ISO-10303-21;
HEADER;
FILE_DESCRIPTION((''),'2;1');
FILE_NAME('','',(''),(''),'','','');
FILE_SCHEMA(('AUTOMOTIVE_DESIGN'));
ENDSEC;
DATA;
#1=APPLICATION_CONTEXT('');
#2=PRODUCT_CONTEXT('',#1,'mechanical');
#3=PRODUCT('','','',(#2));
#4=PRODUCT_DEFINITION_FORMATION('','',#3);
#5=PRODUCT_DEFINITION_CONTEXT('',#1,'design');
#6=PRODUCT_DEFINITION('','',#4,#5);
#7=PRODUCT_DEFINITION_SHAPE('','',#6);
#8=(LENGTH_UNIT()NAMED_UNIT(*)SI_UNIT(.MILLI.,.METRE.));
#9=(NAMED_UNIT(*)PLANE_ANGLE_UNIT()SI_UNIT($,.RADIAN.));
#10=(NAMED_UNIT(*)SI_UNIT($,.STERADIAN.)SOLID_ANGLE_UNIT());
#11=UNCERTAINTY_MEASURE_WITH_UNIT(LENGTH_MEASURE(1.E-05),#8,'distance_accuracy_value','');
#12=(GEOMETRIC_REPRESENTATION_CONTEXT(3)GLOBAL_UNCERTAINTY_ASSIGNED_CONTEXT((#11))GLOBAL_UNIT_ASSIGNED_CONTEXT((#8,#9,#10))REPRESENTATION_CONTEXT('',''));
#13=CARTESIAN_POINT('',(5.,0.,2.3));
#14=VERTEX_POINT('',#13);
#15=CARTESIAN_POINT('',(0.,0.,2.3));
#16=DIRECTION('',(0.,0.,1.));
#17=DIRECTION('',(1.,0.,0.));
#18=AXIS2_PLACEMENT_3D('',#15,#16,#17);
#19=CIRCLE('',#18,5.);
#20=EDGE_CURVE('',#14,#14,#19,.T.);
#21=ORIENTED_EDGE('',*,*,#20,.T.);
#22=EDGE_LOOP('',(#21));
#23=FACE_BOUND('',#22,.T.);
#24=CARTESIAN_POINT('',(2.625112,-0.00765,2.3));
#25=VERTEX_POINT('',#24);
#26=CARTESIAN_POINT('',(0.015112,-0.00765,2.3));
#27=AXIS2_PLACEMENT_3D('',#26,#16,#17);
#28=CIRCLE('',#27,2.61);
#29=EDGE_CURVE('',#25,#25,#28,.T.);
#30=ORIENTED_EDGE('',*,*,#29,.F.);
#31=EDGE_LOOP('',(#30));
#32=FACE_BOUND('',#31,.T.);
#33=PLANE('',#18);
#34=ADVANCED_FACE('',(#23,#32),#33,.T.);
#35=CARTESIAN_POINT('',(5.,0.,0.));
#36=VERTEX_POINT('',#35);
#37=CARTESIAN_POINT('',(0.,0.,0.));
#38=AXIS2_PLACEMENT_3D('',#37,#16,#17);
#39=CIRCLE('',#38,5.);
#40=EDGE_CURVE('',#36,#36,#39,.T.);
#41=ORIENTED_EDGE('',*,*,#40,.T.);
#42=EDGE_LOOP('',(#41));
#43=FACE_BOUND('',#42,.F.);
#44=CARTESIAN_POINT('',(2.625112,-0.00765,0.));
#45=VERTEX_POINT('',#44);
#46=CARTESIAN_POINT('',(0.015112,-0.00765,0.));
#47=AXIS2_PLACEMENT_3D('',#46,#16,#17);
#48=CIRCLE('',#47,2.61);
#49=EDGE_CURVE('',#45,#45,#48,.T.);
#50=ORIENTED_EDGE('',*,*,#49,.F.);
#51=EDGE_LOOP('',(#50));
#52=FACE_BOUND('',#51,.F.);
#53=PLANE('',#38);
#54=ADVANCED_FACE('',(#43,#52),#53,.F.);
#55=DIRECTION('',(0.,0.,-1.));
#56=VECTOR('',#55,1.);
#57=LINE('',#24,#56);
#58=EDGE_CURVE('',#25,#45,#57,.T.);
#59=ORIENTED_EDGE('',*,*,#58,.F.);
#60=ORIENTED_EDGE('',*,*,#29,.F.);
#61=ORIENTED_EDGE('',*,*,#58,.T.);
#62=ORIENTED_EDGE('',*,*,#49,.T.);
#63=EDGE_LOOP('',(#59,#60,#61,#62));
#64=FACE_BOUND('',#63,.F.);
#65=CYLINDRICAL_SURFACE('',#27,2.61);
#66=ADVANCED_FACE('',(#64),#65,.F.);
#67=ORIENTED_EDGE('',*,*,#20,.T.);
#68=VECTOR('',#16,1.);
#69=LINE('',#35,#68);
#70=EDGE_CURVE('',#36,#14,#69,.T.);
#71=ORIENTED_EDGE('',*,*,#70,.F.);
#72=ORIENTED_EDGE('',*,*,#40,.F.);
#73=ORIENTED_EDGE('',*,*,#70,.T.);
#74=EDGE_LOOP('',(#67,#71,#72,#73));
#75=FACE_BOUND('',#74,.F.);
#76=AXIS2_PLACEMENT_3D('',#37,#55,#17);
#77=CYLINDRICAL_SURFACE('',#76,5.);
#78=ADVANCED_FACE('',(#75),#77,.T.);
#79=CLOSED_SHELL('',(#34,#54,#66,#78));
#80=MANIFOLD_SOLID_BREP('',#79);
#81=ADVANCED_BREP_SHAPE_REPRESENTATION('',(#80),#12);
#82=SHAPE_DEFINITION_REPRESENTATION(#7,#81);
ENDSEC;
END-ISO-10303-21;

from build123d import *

# Parameters (mm, degrees)
SKETCH001_R  = 5
PAD_DEPTH    = 2.3
SKETCH_R     = 2.61
POCKET_DEPTH = 5


with BuildPart() as part:
    # Sketch001 → Pad (new body)
    with BuildSketch(Plane.XY):
        Circle(SKETCH001_R)
    extrude(amount=PAD_DEPTH)

    # Sketch (on Face3 of Pad) → Pocket (cut)
    with BuildSketch(Plane.XY.offset(2.3)):
        with Locations((0.015112, -0.00765)):
            Circle(SKETCH_R)
    extrude(amount=-POCKET_DEPTH, mode=Mode.SUBTRACT)


solid = part.part
